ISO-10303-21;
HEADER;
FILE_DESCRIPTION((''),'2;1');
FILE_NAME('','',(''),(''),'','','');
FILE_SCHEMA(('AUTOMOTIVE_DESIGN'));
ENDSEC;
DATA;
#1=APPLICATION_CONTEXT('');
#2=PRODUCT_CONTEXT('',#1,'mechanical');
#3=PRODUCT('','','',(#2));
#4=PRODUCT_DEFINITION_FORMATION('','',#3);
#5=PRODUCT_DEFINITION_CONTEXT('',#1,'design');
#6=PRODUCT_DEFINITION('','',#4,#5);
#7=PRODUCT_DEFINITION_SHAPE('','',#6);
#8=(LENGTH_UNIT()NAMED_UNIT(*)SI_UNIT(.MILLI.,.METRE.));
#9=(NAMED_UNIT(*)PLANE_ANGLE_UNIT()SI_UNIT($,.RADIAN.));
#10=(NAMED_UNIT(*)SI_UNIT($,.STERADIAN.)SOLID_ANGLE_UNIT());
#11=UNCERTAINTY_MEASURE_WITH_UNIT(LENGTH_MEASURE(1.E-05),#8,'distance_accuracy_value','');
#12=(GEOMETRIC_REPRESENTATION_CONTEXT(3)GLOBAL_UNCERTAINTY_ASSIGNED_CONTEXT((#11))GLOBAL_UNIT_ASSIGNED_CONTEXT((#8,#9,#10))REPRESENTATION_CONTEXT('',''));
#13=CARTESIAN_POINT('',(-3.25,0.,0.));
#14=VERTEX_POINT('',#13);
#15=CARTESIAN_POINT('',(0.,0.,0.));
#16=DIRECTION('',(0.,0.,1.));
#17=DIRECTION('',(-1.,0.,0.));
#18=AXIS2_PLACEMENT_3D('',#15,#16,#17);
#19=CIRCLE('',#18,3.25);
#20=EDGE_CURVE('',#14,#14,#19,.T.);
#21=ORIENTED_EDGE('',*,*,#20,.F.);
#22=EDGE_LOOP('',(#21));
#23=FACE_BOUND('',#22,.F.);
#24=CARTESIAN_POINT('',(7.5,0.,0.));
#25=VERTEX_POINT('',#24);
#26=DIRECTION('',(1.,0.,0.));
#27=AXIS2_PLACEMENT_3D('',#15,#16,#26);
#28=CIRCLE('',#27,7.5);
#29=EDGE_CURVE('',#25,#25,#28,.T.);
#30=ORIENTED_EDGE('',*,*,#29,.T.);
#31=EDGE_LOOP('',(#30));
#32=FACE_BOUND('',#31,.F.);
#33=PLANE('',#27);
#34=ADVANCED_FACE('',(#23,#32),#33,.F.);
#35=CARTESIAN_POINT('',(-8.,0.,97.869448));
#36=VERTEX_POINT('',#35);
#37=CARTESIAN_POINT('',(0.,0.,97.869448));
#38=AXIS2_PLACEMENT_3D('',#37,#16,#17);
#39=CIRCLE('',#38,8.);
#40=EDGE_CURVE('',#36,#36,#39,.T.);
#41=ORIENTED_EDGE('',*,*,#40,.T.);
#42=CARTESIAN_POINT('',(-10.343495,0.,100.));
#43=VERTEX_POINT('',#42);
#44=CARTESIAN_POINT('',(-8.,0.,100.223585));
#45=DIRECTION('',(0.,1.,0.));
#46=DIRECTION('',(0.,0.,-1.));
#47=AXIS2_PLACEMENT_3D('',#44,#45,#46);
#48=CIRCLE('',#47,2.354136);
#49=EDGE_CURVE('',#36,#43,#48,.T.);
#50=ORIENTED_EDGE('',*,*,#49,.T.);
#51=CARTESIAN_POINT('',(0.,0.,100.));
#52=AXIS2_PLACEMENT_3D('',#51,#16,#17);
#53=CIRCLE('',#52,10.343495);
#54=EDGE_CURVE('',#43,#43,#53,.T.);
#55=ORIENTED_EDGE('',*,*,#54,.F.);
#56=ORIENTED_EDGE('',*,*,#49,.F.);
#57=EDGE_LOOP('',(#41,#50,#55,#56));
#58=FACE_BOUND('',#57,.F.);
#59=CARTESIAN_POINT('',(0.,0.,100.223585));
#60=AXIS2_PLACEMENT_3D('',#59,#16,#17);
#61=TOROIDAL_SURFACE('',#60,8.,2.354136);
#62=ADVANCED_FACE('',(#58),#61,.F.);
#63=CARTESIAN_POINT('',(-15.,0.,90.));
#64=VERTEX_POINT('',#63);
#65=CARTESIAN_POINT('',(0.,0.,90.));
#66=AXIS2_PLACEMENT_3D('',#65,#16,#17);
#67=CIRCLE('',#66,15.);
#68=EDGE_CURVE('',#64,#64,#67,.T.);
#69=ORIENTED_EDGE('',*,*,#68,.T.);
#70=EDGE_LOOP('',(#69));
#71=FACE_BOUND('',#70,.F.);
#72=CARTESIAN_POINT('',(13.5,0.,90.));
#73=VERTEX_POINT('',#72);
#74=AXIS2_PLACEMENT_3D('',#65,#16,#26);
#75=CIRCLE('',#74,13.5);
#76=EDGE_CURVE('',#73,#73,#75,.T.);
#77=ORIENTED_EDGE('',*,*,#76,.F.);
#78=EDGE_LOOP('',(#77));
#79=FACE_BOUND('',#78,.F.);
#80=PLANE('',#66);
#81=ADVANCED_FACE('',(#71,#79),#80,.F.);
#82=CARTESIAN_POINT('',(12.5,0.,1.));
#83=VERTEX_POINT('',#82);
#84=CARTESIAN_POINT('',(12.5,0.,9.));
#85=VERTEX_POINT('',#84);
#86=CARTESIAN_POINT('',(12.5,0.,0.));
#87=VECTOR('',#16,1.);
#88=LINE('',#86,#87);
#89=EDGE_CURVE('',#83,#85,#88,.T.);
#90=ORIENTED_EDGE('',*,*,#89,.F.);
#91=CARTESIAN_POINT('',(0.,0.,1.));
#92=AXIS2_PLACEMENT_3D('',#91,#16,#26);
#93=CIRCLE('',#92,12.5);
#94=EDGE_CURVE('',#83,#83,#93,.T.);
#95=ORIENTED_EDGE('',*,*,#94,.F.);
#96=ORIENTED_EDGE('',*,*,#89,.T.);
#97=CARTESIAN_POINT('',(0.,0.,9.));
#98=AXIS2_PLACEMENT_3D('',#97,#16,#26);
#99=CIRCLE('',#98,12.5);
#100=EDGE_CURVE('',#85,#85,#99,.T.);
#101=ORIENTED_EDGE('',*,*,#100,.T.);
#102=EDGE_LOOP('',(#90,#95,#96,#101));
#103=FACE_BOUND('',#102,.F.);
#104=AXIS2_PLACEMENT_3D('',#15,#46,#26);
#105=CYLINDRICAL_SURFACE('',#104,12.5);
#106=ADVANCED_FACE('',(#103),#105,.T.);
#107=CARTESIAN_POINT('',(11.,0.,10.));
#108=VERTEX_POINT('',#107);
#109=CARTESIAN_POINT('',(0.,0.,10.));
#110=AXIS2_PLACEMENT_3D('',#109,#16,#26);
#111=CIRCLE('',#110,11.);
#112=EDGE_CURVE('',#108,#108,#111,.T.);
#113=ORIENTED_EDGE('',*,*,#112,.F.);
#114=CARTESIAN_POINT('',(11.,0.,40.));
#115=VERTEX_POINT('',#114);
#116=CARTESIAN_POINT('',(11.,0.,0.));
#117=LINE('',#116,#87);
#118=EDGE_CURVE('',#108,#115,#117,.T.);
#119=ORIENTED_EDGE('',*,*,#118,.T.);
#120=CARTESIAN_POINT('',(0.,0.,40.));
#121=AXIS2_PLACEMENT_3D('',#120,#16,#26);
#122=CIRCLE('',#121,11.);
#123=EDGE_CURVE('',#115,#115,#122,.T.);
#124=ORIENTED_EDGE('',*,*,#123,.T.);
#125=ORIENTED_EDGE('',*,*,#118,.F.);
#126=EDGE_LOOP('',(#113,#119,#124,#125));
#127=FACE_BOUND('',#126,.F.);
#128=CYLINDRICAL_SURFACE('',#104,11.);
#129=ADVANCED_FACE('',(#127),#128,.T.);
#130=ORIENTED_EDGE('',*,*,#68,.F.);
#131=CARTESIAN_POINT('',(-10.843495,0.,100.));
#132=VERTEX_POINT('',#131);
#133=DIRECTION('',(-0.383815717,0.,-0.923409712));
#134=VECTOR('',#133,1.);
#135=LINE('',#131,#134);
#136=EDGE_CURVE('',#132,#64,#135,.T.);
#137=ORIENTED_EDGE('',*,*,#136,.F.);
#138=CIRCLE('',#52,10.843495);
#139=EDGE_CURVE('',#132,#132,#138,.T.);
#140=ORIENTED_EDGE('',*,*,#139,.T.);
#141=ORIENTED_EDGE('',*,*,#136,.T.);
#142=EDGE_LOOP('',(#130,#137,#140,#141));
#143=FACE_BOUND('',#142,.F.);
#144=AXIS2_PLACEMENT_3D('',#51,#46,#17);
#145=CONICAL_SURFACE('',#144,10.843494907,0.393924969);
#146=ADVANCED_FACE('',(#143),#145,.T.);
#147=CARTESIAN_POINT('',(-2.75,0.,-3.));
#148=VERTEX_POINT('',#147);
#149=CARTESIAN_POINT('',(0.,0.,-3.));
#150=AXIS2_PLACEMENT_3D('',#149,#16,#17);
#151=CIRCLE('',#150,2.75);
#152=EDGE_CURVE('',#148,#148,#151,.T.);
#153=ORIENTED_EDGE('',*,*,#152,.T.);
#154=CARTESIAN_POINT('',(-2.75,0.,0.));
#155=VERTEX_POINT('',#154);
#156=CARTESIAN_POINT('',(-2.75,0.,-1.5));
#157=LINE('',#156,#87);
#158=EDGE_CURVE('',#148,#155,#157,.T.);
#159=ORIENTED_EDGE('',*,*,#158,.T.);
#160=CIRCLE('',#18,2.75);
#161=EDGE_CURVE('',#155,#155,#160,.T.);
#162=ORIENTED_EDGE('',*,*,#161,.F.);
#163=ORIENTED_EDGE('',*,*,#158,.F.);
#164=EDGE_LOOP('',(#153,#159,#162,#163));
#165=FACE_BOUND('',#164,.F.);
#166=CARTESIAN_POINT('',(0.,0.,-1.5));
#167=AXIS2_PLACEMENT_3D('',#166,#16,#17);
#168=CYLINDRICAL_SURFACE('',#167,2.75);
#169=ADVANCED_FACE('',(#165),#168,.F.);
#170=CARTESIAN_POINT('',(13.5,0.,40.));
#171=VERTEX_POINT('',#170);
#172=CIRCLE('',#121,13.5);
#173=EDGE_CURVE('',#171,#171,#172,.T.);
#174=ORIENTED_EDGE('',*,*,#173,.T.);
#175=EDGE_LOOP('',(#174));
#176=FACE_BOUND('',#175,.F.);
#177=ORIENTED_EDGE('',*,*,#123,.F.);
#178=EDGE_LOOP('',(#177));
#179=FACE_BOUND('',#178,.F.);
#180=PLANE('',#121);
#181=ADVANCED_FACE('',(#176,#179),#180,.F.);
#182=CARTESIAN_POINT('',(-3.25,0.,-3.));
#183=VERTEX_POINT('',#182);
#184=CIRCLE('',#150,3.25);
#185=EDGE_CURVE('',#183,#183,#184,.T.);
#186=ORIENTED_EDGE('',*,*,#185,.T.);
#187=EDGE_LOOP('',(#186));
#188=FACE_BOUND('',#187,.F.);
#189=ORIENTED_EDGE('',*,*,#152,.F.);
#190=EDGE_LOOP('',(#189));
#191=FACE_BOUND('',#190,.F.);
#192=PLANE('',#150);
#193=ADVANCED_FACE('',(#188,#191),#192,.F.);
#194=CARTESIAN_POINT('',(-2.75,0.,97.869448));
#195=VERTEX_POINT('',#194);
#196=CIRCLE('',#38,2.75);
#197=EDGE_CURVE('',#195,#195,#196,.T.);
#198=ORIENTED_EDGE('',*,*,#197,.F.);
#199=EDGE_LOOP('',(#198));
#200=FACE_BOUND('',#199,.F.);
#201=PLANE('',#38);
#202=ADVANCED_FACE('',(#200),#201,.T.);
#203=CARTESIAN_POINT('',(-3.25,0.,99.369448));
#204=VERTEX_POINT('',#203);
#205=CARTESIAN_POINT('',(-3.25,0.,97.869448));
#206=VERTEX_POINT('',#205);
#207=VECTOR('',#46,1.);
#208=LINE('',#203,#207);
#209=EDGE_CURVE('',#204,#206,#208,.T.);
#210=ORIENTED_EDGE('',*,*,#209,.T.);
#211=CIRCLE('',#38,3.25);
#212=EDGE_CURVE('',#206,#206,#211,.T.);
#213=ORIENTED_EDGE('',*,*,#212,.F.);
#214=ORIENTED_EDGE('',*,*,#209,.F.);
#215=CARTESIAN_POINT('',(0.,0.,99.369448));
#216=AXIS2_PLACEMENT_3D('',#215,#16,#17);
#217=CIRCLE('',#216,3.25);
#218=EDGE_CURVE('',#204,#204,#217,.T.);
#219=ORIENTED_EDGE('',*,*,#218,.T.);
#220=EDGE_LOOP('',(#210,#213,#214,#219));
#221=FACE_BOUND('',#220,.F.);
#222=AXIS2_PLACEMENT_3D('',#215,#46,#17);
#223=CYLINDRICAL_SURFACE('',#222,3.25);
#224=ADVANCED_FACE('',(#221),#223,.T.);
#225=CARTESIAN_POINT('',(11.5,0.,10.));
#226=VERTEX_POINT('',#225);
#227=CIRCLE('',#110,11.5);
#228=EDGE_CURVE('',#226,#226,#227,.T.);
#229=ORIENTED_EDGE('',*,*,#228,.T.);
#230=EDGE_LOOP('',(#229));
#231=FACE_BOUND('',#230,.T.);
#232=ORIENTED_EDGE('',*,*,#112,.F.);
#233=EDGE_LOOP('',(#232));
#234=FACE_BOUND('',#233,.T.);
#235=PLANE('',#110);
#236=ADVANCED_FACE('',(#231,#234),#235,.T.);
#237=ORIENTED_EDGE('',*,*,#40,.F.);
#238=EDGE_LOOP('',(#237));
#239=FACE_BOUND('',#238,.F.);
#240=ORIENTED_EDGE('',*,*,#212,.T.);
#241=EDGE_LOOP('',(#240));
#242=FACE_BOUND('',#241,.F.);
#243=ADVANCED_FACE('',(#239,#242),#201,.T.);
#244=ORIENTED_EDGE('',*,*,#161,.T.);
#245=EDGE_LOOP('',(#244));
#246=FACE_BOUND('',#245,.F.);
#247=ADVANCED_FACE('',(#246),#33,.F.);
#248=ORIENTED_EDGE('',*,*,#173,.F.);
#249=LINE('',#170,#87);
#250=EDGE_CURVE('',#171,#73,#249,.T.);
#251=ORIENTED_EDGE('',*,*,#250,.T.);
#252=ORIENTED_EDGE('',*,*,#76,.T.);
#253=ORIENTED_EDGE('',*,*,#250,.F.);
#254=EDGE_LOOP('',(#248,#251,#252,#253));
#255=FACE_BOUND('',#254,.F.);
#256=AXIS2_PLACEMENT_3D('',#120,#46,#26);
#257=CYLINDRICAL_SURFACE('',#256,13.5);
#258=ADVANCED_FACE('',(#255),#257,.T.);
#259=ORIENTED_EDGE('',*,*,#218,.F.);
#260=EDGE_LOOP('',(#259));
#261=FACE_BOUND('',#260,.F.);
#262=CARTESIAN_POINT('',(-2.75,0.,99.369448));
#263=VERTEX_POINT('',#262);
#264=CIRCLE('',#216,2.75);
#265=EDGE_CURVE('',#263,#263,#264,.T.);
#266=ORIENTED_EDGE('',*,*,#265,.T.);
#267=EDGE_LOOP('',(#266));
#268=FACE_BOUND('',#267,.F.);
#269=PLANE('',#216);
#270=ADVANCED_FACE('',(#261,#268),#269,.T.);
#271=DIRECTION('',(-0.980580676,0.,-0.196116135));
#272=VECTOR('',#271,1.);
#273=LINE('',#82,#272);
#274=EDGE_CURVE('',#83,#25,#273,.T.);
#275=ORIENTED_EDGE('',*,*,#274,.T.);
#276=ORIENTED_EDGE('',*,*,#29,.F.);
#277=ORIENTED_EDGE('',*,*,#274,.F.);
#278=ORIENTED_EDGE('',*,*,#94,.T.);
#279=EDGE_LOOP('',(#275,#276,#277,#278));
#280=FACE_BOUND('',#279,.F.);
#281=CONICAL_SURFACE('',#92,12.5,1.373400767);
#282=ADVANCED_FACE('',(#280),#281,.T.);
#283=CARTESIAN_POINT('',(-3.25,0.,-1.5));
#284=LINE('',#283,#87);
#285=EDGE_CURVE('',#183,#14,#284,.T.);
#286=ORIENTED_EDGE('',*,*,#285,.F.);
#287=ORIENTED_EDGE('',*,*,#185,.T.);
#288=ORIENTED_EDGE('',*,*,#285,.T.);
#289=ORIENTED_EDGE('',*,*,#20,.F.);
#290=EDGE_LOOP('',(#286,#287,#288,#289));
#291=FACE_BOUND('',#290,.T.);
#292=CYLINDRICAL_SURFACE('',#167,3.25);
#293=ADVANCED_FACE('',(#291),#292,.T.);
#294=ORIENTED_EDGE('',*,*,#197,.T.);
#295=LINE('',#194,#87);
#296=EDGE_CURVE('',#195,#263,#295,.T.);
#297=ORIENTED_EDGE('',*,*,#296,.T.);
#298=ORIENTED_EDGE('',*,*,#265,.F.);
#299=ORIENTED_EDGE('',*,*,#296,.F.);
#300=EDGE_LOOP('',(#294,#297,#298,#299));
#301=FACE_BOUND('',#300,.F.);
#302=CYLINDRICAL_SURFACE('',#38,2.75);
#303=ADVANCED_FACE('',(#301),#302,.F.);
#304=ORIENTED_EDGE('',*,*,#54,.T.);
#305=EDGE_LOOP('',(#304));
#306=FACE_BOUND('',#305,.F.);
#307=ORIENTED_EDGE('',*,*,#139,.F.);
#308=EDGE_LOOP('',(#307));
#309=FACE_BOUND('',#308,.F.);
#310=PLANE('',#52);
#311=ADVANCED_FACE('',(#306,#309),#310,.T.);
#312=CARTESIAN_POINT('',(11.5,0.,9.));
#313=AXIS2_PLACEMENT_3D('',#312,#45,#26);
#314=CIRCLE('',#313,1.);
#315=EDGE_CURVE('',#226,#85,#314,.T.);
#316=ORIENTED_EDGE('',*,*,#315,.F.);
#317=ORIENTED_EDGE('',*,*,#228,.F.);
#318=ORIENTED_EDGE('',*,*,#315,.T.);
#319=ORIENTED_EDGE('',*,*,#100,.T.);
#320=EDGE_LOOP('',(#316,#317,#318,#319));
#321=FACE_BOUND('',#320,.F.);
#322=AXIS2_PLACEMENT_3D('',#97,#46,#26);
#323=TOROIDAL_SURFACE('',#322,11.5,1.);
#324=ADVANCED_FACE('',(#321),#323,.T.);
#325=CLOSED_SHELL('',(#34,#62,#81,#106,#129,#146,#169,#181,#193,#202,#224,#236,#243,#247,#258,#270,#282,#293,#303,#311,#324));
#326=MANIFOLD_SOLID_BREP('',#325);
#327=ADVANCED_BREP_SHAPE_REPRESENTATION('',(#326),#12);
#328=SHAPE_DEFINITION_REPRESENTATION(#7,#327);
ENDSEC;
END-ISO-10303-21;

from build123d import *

# Parameters (mm, degrees)
F0_R     = 11
F1_DEPTH = 90
F0_R_2   = 12.5
F2_DEPTH = 10
F3_START = 40
F0_R_3   = 13.5
F3_DEPTH = 50
F4_W     = 0.5
F4_H     = 3
F6_R     = 1
F7_SIZE2 = 5
F7_SIZE  = 1


with BuildPart() as f1:
    # F0 (on Top) → F1 (new body)
    with BuildSketch(Plane.XY):
        Circle(F0_R)
    extrude(amount=F1_DEPTH)

    # F0 (on Top) → F2 (join)
    with BuildSketch(Plane.XY):
        Circle(F0_R_2)
        Circle(F0_R, mode=Mode.SUBTRACT)
    extrude(amount=F2_DEPTH)

    # F0 (on Top) → F3 (join)
    with BuildSketch(Plane.XY.offset(F3_START)):
        Circle(F0_R_3)
        Circle(F0_R_2, mode=Mode.SUBTRACT)
        Circle(F0_R_2)
        Circle(F0_R, mode=Mode.SUBTRACT)
    extrude(amount=F3_DEPTH)

    # F4 (on Front) → F5 (revolve)
    with BuildSketch(Plane.XZ):
        with BuildLine():
            Line((-15, 90), (0, 90))
            Line((0, 90), (0, 97.8694483638))
            Line((0, 97.8694483638), (-2.75, 97.8694483638))
            Line((-2.75, 97.8694483638), (-2.75, 99.3694483638))
            Line((-2.75, 99.3694483638), (-3.25, 99.3694483638))
            Line((-3.25, 99.3694483638), (-3.25, 97.8694483638))
            Line((-3.25, 97.8694483638), (-8, 97.8694483638))
            ThreePointArc((-8, 97.8694483638), (-9.5836049581, 98.4817025568), (-10.343494907, 100))
            Line((-10.343494907, 100), (-10.843494907, 100))
            Line((-10.843494907, 100), (-15, 90))
        make_face()
        with Locations((-3, -1.5)):
            Rectangle(F4_W, F4_H)
    revolve(axis=Axis((0, 0, 93.9347241819), (0, 0, 1)))

    # F6
    f6_edges = [f1.edges().sort_by_distance(p)[0] for p in [
        (-12.5, 0, 10),
    ]]
    fillet(f6_edges, radius=F6_R)

    # F7
    f7_edges = [f1.edges().sort_by_distance(p)[0] for p in [
        (-12.5, 0, 0),
    ]]
    f7_side = f1.faces().sort_by_distance((-12.5, 0, 4.5))[0]
    chamfer(f7_edges, length=F7_SIZE, length2=F7_SIZE2, reference=f7_side)


solid = f1.part
